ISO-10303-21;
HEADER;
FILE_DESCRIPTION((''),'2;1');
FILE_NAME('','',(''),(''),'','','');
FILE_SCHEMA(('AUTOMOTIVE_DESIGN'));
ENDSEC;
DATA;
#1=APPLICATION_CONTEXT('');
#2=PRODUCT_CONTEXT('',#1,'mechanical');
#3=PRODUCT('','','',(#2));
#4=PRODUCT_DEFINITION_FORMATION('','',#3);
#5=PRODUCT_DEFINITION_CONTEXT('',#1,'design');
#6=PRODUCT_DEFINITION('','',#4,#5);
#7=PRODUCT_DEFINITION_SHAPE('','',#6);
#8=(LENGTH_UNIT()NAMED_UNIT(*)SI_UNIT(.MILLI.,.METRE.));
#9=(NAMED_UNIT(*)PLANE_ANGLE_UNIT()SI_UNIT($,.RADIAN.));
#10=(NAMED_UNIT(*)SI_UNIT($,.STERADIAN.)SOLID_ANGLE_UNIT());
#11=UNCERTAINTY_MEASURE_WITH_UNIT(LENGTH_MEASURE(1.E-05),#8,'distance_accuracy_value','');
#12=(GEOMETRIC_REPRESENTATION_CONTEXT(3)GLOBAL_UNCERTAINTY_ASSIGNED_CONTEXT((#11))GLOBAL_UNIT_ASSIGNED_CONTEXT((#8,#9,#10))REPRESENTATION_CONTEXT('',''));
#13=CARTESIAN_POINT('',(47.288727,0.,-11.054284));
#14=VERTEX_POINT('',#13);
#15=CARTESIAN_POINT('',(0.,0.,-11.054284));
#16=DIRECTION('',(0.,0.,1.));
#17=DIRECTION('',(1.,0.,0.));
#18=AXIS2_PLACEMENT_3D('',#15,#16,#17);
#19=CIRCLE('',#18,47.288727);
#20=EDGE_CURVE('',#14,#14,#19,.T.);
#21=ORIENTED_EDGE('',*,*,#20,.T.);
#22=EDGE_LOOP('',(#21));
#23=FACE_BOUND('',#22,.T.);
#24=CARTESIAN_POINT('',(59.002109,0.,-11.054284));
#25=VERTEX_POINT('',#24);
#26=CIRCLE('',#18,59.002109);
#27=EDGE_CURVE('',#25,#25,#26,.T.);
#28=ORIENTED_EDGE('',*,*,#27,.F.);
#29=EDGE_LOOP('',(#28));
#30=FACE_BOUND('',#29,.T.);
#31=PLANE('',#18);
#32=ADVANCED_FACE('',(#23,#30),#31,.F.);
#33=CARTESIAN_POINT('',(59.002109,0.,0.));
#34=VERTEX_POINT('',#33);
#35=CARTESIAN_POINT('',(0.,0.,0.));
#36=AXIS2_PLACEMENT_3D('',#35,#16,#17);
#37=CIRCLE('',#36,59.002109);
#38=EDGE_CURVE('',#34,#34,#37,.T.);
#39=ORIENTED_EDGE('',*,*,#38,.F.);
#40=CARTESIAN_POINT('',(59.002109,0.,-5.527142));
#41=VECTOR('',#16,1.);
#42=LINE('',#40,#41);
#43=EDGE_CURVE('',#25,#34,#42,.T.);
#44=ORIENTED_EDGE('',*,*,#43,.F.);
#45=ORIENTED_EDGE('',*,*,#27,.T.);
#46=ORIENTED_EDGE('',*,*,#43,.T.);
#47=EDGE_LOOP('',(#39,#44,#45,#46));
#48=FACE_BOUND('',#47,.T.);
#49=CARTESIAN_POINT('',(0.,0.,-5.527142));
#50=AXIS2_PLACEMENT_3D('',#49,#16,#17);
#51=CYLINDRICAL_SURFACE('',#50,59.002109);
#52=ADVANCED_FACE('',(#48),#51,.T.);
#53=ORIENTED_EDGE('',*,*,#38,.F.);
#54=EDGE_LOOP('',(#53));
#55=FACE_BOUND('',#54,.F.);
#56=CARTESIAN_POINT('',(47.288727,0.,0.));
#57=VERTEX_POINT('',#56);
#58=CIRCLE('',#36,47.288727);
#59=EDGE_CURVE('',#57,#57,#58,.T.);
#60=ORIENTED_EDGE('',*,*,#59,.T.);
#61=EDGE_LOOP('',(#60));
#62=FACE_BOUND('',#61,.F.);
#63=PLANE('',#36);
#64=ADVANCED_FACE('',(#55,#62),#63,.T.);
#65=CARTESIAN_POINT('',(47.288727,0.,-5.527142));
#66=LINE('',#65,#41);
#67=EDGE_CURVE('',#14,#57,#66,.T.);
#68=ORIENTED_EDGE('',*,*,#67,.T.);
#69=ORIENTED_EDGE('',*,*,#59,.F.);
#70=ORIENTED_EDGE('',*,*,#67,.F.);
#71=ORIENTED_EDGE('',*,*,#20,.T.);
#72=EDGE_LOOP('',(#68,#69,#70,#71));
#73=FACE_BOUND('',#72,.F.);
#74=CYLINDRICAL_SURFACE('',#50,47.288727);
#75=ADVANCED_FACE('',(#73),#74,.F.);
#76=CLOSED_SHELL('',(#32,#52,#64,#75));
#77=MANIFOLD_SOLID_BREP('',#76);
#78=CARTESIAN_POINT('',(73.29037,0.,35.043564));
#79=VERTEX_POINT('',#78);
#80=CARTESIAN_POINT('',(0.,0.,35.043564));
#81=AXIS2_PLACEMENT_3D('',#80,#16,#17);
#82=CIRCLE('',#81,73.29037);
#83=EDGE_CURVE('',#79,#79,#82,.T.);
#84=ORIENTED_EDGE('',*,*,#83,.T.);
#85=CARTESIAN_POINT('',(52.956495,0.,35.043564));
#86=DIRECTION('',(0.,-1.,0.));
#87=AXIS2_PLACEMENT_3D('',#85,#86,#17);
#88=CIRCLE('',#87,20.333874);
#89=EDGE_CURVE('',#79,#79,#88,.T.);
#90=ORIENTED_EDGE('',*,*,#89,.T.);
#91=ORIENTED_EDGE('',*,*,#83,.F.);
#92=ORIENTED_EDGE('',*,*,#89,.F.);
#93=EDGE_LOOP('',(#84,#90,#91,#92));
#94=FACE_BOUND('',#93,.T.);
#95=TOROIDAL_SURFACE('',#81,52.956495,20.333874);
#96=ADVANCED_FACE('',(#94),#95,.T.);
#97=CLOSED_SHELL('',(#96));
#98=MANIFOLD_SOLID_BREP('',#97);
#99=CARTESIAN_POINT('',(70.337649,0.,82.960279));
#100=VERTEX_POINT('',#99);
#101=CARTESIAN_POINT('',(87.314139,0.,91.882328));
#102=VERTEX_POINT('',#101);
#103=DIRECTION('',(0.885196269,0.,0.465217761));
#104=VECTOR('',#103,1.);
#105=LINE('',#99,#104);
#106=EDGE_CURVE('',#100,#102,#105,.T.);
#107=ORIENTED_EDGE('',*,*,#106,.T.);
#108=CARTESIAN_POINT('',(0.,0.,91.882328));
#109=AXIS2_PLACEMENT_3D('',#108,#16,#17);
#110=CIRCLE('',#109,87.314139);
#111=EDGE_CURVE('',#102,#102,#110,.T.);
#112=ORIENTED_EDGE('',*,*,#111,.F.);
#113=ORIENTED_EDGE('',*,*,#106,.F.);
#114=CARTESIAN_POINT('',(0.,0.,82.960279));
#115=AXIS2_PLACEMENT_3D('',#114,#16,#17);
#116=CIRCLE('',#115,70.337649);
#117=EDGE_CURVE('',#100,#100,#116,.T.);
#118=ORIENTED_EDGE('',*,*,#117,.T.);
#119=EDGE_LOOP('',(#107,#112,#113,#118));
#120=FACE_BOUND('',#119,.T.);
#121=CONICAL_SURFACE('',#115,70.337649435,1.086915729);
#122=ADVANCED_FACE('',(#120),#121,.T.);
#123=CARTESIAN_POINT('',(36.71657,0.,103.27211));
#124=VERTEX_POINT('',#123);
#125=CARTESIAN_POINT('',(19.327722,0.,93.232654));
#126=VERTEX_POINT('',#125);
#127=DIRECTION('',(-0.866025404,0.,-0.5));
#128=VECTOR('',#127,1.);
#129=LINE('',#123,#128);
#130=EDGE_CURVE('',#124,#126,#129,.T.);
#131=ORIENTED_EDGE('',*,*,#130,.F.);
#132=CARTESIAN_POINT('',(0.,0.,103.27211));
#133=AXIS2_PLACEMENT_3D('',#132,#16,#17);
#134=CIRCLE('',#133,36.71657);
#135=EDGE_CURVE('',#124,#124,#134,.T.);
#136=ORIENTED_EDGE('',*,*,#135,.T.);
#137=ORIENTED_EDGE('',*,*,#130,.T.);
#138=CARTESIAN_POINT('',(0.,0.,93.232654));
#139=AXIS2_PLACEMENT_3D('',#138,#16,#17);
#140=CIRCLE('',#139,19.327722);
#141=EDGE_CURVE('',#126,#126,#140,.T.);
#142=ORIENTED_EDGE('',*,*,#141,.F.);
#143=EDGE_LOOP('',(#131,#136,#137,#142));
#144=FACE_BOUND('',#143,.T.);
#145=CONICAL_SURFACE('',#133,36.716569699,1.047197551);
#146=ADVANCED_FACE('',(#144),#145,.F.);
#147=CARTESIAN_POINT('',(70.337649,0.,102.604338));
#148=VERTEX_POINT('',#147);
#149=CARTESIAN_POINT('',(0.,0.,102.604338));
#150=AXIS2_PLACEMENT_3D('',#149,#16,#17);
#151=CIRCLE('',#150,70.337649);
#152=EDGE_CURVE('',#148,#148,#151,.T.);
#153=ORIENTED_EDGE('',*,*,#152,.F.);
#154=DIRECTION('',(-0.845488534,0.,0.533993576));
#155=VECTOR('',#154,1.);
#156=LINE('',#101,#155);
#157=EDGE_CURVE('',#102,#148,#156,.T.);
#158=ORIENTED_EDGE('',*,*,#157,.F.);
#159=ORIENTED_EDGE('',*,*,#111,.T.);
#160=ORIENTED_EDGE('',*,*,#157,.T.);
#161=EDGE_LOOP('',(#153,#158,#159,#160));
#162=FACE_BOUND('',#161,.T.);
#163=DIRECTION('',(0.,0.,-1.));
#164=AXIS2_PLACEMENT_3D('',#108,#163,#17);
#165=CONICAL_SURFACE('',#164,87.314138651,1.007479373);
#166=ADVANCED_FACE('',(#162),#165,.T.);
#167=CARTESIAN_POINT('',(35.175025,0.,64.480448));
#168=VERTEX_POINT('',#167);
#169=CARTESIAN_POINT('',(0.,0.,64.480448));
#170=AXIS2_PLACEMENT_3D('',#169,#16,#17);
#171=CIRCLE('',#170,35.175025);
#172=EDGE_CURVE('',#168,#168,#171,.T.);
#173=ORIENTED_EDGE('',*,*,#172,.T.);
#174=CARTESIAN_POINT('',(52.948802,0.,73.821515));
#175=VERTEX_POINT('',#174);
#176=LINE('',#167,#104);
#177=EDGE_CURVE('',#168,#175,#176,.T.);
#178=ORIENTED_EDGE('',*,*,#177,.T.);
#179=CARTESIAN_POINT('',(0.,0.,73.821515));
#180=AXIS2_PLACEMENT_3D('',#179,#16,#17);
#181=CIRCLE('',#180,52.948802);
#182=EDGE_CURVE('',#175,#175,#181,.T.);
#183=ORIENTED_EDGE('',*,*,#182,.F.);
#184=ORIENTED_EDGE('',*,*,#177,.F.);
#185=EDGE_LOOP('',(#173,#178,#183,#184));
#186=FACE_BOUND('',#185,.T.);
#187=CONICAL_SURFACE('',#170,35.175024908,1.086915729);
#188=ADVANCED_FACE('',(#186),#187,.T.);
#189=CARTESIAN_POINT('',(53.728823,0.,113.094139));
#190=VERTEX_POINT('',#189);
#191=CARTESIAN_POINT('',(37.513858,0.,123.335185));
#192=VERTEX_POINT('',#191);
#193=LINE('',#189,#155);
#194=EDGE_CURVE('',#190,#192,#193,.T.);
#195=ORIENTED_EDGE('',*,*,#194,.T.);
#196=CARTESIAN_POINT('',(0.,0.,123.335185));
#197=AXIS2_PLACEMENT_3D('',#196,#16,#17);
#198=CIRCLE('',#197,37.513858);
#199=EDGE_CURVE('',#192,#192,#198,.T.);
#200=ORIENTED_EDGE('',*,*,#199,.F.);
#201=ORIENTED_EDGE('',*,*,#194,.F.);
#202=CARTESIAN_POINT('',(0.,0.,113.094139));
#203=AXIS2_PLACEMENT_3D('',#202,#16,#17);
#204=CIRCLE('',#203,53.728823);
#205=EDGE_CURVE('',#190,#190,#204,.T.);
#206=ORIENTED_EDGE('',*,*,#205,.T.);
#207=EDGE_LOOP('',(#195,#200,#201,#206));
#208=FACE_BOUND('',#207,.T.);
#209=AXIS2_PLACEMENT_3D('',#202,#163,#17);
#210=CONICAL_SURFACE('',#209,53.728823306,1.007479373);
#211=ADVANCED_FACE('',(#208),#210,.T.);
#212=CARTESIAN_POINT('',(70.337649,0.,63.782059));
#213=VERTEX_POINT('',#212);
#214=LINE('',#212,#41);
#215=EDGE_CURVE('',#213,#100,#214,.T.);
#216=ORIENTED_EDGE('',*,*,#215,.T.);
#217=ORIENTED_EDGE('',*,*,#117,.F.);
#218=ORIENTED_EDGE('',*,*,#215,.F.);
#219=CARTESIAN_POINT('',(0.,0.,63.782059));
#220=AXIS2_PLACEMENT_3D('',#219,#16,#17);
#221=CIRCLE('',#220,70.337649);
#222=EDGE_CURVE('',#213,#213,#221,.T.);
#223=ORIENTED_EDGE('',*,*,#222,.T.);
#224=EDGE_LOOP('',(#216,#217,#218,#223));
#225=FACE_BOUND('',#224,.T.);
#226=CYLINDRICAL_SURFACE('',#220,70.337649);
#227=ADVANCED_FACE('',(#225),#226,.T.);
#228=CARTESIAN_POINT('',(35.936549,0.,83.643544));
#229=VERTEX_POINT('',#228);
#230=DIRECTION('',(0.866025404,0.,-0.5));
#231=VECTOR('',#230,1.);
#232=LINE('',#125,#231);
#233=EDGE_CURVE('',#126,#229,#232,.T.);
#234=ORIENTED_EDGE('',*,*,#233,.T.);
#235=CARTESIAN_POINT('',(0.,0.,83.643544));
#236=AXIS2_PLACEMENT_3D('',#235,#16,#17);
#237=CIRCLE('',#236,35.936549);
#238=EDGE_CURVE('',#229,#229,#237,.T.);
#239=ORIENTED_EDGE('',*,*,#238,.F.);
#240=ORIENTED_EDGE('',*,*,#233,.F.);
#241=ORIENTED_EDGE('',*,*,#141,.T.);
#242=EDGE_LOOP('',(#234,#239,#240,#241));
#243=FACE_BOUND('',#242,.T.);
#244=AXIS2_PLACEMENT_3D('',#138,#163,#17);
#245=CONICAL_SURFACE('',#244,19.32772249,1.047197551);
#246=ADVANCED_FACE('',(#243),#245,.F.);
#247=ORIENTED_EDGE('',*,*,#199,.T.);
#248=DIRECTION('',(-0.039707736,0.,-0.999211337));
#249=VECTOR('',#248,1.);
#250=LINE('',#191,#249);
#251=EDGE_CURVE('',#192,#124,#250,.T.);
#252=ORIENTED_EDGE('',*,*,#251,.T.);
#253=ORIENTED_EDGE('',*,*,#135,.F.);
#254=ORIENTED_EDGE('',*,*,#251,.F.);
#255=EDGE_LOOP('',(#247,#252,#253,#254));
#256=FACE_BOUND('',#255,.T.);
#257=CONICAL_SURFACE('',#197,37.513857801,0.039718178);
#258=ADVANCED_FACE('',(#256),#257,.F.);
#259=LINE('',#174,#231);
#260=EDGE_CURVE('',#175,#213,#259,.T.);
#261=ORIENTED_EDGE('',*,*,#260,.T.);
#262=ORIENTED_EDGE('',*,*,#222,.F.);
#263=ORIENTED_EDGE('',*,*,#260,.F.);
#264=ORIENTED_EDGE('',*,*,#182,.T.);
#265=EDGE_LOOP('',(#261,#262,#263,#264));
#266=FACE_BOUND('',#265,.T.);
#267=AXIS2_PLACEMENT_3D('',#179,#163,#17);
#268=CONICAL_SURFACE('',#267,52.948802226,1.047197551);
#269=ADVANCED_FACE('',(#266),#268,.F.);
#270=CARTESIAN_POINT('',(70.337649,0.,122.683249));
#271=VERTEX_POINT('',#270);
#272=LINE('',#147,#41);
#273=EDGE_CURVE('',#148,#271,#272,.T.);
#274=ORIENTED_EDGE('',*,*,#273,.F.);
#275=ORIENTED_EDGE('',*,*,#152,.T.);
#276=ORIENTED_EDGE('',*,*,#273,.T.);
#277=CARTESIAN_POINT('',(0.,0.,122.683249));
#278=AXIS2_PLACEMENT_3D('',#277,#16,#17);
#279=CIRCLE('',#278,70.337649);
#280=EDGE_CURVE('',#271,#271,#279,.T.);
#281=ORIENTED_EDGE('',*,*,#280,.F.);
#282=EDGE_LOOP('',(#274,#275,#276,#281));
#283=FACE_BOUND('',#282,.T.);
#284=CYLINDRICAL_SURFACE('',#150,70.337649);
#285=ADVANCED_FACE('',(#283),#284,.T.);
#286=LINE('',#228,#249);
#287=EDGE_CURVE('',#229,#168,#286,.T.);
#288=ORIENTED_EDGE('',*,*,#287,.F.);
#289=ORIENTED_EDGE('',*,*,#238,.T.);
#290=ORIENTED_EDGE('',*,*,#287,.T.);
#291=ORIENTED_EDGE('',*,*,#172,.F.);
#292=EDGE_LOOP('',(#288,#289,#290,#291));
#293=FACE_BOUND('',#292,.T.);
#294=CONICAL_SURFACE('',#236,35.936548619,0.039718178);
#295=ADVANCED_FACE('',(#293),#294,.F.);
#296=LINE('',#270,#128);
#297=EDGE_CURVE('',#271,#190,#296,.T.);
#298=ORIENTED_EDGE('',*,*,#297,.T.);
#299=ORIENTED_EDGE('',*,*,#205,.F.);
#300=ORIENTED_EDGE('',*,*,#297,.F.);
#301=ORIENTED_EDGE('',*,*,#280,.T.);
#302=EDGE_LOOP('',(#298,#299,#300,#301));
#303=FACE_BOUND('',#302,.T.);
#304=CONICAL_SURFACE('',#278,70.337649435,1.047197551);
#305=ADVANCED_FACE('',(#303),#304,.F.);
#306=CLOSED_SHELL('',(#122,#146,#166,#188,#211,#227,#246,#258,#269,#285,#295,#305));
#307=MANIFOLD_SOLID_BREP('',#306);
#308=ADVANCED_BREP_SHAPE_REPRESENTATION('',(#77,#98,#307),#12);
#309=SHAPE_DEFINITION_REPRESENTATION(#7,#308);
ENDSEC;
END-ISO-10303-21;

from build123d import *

# Parameters (mm, degrees)
F0_R     = 96.1929231716
F2_R     = 37.5334289589
F2_R_2   = 37.4396908016
F3_DEPTH = 215.9
F5_R     = 20.3338743876
F5_W     = 11.7133818567
F5_H     = 11.0542839393


with BuildPart() as f1:
    # F0 (on Front) → F1 (revolve)
    with BuildSketch(Plane.XZ):
        with Locations((113.3733838797, 138.1946206093)):
            Circle(F0_R)
    revolve(axis=Axis((0, 0, 82.1639001369), (0, 0, 1)))

    # F2 (on Front) → F3 (join)
    with BuildSketch(Plane.XZ):
        with Locations((165.6776368618, 54.8734031618)):
            Circle(F2_R)
        with Locations((-158.4630459547, 50.2354614437)):
            Circle(F2_R_2)
    extrude(amount=F3_DEPTH)


with BuildPart() as f6:
    # F5 (on Front) → F6 (revolve)
    with BuildSketch(Plane.XZ):
        with Locations((52.956495434, 35.0435636938)):
            Circle(F5_R)
    revolve(axis=Axis((0, 0, 35.6124825776), (0, 0, 1)))


with BuildPart() as f6b:
    # F5 (on Front) → F6, piece 2 (revolve)
    with BuildSketch(Plane.XZ):
        with Locations((53.1454179436, -5.5271419697)):
            Rectangle(F5_W, F5_H)
    revolve(axis=Axis((0, 0, 35.6124825776), (0, 0, 1)))


with BuildPart() as f6c:
    # F5 (on Front) → F6, piece 3 (revolve)
    with BuildSketch(Plane.XZ):
        Polygon((70.3376494348, 102.6043378538), (70.3376494348, 122.6832490881), (53.7288233056, 113.0941388515), align=None)
        Polygon((87.3141386506, 91.8823282351), (70.3376494348, 102.6043378538), (70.3376494348, 82.9602794553), align=None)
        Polygon((70.3376494348, 82.9602794553), (70.3376494348, 102.6043378538), (53.7288233056, 113.0941388515), (36.7165696991, 103.2721096523), (35.9365486191, 83.6435437985), (52.9488022255, 73.8215145992), align=None)
        Polygon((36.7165696991, 103.2721096523), (53.7288233056, 113.0941388515), (37.5138578006, 123.3351853895), align=None)
        Polygon((70.3376494348, 63.7820589821), (70.3376494348, 82.9602794553), (52.9488022255, 73.8215145992), align=None)
        Polygon((35.9365486191, 83.6435437985), (36.7165696991, 103.2721096523), (19.3277224898, 93.2326540351), align=None)
        Polygon((35.1750249082, 64.4804484807), (52.9488022255, 73.8215145992), (35.9365486191, 83.6435437985), align=None)
    revolve(axis=Axis((0, 0, 35.6124825776), (0, 0, 1)))


solid = Compound([f6.part, f6b.part, f6c.part])
